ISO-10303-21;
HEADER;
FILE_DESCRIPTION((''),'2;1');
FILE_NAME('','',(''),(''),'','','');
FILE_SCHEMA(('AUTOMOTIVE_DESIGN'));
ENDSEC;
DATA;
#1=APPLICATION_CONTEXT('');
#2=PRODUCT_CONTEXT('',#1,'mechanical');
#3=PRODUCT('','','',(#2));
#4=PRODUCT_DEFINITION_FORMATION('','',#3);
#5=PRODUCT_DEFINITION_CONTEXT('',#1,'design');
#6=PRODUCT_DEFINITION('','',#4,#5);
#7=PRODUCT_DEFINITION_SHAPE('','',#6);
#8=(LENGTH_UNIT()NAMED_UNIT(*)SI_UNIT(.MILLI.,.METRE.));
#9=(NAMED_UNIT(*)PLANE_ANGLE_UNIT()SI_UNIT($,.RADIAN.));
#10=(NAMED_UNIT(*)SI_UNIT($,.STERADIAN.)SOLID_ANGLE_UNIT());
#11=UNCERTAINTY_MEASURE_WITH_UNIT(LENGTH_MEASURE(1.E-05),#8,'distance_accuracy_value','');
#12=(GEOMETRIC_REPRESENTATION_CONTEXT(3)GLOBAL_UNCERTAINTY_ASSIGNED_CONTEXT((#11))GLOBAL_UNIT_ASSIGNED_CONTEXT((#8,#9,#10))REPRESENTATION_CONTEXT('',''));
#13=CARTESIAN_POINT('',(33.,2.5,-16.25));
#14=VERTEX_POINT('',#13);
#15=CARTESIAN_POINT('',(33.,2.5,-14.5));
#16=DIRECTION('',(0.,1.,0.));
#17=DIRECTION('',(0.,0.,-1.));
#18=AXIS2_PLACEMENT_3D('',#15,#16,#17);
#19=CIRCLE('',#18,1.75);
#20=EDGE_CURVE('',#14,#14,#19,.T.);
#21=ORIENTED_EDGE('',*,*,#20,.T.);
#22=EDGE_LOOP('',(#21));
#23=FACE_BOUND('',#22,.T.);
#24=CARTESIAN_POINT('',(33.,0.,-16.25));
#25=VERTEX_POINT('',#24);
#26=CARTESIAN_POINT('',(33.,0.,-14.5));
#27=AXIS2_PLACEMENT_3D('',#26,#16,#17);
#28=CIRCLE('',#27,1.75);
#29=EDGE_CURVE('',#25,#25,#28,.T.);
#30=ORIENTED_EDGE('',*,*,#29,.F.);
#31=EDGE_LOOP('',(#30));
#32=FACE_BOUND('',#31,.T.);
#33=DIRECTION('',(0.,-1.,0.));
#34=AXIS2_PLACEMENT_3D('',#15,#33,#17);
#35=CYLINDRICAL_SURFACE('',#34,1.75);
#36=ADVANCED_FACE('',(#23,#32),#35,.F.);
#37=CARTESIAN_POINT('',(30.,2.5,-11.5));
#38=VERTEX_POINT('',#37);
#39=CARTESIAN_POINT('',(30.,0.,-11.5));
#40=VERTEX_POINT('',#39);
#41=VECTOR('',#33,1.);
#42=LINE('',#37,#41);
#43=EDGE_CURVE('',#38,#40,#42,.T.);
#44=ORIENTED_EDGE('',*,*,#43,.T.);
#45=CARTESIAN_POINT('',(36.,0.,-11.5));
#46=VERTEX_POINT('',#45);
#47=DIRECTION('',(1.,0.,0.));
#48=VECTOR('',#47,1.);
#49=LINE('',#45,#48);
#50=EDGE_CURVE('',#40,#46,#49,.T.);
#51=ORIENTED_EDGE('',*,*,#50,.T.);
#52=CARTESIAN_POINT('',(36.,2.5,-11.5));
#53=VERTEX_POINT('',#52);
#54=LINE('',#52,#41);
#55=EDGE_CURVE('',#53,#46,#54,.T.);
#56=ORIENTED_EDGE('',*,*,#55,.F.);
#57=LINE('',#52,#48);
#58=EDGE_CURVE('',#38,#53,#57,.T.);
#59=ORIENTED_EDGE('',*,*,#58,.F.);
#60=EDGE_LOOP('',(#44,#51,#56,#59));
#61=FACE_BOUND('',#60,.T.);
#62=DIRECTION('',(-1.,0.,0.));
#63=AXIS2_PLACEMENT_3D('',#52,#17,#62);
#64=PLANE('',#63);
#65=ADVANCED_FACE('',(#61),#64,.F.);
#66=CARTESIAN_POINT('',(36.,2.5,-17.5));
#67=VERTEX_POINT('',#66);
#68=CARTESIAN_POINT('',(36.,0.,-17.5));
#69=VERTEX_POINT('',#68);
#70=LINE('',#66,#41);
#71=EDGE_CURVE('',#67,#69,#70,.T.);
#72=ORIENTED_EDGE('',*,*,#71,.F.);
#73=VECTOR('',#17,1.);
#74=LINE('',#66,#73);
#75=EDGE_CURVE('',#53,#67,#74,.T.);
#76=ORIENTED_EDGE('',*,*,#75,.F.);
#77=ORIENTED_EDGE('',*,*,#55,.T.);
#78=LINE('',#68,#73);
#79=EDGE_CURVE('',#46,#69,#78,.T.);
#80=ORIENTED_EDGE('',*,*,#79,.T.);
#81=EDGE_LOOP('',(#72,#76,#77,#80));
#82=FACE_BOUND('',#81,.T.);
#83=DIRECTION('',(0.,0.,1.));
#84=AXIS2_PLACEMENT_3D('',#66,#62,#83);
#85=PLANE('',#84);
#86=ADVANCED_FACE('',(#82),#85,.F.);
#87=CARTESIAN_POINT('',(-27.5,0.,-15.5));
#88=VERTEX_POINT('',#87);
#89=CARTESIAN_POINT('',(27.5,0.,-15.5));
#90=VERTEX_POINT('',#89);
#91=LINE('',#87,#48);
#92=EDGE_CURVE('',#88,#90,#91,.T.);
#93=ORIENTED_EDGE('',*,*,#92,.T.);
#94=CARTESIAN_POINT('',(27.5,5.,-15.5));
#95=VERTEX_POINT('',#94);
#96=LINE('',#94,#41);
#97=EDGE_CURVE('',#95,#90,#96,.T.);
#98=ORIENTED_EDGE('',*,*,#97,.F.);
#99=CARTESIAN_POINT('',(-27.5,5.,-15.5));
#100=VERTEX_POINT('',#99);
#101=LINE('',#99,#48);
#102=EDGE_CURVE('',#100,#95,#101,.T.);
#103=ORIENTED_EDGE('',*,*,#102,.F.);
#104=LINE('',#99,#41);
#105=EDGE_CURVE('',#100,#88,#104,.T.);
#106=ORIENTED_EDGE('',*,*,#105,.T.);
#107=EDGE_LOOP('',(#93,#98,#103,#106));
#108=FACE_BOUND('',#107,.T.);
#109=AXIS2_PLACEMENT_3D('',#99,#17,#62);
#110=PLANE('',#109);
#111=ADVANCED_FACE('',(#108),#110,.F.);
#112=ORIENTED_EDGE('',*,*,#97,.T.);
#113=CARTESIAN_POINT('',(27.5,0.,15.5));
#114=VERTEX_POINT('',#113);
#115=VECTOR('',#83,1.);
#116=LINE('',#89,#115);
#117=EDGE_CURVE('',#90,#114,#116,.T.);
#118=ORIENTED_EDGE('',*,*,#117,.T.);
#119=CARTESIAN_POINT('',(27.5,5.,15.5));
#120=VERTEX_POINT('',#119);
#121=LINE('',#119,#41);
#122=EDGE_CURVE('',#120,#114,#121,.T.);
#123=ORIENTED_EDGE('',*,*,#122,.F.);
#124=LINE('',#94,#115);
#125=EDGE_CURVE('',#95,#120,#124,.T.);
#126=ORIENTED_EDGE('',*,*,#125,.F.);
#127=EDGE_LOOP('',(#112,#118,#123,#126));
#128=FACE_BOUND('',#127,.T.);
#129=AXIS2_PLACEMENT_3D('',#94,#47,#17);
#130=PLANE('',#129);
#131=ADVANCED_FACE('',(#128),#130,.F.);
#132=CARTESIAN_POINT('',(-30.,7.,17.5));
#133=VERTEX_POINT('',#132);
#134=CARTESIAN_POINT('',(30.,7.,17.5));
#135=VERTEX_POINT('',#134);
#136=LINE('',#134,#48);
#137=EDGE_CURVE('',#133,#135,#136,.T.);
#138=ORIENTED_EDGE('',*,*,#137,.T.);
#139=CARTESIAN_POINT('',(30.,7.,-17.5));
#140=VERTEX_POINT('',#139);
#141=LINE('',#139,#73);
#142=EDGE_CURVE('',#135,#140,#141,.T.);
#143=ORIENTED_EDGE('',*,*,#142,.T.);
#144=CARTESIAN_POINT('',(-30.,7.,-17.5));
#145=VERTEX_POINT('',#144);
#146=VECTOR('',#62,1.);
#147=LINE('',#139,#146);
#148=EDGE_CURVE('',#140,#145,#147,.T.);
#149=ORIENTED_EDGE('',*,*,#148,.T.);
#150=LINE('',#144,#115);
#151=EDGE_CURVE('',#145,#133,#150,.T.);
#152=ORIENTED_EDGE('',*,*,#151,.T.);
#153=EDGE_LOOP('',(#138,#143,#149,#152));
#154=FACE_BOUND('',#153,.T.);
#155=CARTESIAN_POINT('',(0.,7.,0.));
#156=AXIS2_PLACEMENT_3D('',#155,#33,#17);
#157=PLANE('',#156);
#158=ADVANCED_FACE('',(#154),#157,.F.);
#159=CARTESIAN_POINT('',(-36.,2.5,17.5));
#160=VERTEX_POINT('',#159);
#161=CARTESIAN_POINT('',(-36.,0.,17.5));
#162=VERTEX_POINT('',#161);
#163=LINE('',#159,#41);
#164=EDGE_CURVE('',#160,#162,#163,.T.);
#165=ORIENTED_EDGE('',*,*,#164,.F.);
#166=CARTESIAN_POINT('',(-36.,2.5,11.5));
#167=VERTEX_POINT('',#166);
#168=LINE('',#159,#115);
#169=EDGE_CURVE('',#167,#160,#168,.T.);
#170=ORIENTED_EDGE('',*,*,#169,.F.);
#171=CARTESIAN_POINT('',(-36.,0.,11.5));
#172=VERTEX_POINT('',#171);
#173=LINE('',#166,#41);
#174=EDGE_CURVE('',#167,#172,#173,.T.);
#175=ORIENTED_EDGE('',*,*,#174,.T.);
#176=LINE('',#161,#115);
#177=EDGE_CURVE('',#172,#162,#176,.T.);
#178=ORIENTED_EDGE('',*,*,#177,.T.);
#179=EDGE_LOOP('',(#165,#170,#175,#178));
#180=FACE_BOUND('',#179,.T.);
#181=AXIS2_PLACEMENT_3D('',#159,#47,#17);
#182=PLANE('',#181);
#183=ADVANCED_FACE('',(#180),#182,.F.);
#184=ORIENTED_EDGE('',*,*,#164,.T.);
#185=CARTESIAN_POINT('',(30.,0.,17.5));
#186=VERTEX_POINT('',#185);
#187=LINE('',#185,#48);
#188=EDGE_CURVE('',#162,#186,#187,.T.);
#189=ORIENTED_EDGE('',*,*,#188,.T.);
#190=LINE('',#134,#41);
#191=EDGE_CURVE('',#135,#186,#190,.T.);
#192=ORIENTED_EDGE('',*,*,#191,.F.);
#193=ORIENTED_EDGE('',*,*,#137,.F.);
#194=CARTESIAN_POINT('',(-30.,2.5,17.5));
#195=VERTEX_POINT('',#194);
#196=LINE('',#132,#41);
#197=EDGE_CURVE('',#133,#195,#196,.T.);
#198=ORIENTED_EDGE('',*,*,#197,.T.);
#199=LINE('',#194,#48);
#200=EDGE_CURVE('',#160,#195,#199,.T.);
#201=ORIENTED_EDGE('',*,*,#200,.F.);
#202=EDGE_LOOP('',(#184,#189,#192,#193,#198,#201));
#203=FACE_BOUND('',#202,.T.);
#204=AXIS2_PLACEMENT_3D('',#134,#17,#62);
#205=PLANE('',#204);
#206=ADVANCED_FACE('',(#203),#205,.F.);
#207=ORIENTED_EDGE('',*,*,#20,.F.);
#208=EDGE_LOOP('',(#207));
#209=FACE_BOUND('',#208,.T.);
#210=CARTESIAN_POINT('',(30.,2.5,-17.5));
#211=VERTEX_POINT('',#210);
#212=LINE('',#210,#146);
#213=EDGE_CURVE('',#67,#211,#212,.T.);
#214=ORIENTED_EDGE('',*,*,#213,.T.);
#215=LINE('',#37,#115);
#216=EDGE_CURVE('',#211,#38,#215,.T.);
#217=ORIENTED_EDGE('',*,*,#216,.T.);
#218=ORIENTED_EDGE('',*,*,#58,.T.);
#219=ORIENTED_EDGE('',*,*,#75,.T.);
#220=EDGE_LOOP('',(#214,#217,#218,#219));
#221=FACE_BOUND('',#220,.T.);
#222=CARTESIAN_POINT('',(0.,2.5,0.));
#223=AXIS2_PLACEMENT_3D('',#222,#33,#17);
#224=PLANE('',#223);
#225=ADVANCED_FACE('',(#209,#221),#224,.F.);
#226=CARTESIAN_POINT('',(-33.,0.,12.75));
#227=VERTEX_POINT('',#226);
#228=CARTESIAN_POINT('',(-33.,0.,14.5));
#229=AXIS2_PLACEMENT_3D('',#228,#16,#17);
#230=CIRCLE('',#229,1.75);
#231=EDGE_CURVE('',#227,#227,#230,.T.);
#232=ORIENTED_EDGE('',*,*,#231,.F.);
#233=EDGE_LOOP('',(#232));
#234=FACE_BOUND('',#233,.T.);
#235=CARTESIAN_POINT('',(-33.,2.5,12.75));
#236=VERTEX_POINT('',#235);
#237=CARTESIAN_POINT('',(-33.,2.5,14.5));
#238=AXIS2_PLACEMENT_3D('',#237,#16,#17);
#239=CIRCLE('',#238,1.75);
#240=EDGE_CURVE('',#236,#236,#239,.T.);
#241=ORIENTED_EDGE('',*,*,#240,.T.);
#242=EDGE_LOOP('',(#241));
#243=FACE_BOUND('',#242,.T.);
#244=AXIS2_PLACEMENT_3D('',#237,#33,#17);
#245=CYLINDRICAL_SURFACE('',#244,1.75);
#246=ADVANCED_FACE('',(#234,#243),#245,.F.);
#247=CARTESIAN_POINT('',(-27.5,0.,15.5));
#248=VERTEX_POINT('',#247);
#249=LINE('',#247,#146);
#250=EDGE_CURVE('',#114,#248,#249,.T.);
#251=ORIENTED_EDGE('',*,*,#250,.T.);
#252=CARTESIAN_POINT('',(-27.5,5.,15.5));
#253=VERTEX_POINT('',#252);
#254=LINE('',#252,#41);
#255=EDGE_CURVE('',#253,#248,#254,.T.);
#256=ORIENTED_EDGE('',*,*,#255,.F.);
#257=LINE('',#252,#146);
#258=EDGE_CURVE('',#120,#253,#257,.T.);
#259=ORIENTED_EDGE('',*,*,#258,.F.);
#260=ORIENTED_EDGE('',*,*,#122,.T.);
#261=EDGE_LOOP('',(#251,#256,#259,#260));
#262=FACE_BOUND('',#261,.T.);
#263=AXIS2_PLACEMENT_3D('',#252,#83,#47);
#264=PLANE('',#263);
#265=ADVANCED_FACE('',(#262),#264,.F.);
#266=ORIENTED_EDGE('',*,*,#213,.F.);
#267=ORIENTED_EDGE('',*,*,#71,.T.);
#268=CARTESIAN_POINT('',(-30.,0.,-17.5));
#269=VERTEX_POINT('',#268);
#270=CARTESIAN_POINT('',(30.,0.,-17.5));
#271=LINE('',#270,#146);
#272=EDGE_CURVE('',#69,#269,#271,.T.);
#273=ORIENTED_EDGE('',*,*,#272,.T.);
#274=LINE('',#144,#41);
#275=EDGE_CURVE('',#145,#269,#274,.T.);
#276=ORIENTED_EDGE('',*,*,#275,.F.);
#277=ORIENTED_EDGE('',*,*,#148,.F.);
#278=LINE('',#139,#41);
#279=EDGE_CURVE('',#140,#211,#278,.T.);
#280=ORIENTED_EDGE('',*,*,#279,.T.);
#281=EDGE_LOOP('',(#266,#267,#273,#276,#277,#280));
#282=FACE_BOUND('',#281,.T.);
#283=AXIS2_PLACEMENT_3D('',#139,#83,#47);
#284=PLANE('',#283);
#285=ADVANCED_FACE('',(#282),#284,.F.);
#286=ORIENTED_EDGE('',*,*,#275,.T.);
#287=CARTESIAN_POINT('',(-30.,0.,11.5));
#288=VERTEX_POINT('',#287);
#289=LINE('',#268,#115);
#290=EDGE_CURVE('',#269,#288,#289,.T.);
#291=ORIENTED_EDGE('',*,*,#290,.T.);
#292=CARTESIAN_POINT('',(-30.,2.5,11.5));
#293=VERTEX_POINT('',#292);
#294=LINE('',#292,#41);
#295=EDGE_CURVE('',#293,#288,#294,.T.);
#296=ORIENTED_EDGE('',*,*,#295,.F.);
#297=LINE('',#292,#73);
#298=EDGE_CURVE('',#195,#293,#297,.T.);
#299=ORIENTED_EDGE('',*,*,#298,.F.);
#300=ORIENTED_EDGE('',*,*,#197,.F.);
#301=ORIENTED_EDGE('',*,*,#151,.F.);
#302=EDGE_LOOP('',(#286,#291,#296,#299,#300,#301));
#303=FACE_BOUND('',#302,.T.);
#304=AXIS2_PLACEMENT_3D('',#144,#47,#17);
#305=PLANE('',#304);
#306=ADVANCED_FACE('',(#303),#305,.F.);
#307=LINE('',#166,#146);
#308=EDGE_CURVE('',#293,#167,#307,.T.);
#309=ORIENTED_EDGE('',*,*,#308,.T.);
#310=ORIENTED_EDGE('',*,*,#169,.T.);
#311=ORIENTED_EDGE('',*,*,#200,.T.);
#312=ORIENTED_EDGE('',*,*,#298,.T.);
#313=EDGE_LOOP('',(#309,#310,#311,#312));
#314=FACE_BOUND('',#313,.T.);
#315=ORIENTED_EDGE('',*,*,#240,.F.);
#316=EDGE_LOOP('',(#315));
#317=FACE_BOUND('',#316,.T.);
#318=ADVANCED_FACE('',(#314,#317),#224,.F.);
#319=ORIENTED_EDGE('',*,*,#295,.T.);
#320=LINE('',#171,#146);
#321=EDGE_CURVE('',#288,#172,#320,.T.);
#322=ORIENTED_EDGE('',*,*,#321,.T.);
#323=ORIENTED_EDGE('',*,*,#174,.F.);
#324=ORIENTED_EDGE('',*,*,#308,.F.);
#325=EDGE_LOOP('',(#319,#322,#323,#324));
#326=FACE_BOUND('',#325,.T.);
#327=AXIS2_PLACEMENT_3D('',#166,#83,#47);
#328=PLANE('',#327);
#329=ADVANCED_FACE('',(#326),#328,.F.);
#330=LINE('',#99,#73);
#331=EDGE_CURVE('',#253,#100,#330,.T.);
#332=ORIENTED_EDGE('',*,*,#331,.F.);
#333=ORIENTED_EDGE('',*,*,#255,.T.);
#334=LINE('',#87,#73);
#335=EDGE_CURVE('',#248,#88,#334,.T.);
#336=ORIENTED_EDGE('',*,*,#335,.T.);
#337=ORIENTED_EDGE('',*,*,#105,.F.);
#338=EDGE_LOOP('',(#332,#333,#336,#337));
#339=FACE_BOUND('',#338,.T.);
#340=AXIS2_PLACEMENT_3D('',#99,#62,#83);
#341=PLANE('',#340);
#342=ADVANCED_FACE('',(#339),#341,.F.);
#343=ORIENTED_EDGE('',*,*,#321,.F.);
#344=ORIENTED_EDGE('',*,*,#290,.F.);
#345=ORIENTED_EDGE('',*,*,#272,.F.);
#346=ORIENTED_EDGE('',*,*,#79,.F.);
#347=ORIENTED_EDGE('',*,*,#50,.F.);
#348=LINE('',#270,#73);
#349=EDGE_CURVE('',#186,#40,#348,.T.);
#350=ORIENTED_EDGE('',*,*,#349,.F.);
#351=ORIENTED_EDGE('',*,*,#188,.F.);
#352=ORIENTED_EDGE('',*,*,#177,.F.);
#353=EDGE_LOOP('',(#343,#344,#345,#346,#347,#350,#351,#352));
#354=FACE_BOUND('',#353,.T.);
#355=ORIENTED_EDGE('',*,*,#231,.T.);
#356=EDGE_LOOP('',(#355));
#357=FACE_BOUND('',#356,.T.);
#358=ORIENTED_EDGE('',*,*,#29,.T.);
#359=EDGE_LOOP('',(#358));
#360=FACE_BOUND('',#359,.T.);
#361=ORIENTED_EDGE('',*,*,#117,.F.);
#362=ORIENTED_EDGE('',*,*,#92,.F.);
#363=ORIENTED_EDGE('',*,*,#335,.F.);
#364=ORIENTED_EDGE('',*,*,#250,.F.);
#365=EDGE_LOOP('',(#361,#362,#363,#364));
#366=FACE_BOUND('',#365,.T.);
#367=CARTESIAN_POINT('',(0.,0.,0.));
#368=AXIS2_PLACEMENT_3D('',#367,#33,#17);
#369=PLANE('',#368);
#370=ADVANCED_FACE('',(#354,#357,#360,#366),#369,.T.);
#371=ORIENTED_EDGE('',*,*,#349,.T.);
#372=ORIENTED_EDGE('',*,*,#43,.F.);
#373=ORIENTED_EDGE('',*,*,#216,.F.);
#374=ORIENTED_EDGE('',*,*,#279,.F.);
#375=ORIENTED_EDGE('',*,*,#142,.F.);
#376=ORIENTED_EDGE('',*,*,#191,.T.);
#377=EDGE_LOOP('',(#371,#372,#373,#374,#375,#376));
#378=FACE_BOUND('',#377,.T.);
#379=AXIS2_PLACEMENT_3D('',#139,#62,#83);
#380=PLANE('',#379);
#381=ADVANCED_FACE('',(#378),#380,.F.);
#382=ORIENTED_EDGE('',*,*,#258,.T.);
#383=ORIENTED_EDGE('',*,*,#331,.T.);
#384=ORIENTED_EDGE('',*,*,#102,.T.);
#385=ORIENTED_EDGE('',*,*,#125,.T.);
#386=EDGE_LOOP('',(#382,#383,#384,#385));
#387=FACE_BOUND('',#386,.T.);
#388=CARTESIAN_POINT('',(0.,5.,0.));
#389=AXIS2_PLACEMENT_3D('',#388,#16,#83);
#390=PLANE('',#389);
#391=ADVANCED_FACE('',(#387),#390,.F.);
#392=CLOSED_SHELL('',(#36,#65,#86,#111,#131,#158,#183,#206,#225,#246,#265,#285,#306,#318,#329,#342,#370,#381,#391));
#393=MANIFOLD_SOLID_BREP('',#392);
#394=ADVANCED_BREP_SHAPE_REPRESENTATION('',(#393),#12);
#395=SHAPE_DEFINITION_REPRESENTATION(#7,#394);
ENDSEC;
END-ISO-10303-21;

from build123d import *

# Parameters (mm, degrees)
SKETCH1_W           = 60
SKETCH1_H           = 35
BOSS_EXTRUDE1_DEPTH = 7
SKETCH3_W           = 6
SKETCH3_H           = 6
SKETCH3_R           = 1.75
BOSS_EXTRUDE2_DEPTH = 2.5
SKETCH4_W           = 55
SKETCH4_H           = 31
CUT_EXTRUDE1_DEPTH  = 5


with BuildPart() as part:
    # Sketch1 → Boss-Extrude1 (new body)
    with BuildSketch(Plane(origin=(0, 0, 0), x_dir=(1, 0, 0), z_dir=(0, 1, 0))):
        Rectangle(SKETCH1_W, SKETCH1_H)
    extrude(amount=BOSS_EXTRUDE1_DEPTH)

    # Sketch3 → Boss-Extrude2 (add)
    with BuildSketch(Plane(origin=(0, 0, 0), x_dir=(1, 0, 0), z_dir=(0, 1, 0))):
        with Locations((-33, -14.5)):
            Rectangle(SKETCH3_W, SKETCH3_H)
        with Locations(Location((-33, -14.5, 0), (0, 0, 90))):  # turned: the seam where the file's is
            Circle(SKETCH3_R, mode=Mode.SUBTRACT)
        with Locations((33, 14.5)):
            Rectangle(SKETCH3_W, SKETCH3_H)
        with Locations(Location((33, 14.5, 0), (0, 0, 90))):  # turned: the seam where the file's is
            Circle(SKETCH3_R, mode=Mode.SUBTRACT)
    extrude(amount=BOSS_EXTRUDE2_DEPTH)

    # Sketch4 → Cut-Extrude1 (cut)
    with BuildSketch(Plane(origin=(0, 0, 0), x_dir=(-1, 0, 0), z_dir=(0, -1, 0))):
        Rectangle(SKETCH4_W, SKETCH4_H)
    extrude(amount=-CUT_EXTRUDE1_DEPTH, mode=Mode.SUBTRACT)


solid = part.part
